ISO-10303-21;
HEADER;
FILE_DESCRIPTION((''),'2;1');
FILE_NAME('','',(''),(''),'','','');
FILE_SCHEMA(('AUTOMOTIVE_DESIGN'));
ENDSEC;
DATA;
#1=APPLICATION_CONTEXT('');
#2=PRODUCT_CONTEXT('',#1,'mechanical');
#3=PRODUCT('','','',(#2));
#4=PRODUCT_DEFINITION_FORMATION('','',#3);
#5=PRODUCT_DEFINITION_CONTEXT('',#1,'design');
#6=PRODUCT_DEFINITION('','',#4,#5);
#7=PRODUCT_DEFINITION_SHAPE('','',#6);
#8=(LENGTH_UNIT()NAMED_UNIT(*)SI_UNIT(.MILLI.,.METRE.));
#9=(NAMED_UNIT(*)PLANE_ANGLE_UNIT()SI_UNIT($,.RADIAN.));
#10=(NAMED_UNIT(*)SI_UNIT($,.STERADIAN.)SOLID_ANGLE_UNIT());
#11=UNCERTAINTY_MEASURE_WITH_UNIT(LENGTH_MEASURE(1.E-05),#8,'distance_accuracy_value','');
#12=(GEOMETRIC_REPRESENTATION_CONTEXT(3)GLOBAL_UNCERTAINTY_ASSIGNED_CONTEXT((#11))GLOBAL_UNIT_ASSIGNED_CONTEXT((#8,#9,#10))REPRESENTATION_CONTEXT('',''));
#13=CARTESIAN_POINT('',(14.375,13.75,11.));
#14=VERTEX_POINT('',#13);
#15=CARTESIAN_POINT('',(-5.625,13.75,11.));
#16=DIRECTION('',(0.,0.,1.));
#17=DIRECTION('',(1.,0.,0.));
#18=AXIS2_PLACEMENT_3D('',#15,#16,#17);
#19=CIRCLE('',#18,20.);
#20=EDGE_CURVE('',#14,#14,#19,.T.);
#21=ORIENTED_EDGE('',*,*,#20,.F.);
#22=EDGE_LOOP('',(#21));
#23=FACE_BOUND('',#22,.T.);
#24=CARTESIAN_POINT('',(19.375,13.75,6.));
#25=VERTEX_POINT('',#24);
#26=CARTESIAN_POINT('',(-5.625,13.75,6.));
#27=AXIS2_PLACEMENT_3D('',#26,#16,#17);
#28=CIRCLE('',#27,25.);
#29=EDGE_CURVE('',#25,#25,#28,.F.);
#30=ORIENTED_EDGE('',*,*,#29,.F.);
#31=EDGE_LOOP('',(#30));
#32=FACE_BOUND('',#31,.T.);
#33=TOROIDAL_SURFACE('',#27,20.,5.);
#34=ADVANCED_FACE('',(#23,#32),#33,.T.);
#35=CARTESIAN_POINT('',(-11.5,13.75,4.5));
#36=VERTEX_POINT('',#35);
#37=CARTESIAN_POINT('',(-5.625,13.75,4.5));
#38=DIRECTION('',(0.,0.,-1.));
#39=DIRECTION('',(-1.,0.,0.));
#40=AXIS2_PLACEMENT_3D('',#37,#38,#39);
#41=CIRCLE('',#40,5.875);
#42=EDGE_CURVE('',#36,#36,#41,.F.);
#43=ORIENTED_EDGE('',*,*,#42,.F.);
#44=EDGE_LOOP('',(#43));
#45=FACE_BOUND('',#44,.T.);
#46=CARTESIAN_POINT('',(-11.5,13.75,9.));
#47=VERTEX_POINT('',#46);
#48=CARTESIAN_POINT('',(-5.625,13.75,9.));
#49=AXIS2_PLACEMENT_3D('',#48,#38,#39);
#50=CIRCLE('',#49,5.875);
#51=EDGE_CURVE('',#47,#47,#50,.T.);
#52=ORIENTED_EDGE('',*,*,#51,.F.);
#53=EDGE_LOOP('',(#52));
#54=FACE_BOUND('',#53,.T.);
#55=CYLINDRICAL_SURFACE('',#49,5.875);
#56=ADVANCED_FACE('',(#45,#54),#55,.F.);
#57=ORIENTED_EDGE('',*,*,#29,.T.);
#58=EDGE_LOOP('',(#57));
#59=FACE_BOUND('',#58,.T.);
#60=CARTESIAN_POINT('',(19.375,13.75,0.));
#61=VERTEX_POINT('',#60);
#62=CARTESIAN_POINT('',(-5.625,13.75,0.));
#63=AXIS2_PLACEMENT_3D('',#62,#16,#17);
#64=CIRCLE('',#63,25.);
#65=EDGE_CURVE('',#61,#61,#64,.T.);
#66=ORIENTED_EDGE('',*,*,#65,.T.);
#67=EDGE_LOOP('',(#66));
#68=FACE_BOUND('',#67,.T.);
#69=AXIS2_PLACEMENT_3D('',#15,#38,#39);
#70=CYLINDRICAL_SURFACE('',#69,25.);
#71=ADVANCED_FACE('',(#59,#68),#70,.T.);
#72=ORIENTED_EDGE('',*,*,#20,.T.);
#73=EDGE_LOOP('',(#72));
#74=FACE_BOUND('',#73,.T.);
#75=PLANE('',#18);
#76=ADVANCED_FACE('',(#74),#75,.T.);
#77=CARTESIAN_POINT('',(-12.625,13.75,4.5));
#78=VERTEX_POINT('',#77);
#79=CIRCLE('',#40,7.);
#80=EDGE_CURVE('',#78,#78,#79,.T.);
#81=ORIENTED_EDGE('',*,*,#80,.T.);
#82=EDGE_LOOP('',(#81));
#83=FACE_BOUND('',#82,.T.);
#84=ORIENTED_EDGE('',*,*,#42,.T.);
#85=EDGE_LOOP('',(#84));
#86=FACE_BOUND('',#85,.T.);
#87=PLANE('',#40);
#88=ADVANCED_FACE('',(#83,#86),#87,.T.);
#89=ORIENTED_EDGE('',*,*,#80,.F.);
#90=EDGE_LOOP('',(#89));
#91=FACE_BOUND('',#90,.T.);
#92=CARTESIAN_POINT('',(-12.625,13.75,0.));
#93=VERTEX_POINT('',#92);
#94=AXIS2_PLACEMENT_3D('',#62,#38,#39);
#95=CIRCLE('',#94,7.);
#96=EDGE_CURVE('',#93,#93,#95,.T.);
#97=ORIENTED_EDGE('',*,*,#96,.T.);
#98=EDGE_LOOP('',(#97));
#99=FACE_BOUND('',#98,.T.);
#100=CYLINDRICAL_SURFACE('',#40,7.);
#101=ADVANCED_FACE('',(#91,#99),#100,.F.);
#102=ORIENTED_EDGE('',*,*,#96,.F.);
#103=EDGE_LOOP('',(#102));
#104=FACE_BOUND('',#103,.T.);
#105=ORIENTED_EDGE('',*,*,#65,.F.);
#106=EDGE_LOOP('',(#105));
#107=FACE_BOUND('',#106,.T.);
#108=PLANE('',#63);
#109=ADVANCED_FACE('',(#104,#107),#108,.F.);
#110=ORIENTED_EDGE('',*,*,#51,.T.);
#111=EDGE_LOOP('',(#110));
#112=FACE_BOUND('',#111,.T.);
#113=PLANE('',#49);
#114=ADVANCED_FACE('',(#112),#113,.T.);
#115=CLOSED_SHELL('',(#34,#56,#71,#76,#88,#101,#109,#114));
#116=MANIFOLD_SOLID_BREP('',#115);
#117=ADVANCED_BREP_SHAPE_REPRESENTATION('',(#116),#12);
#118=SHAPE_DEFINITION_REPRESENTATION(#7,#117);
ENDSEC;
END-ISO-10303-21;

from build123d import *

# Parameters (mm, degrees)
CROQUIS1_R              = 25
SALIENTE_EXTRUIR1_DEPTH = 11
REDONDEO1_R             = 5
CROQUIS2_R              = 5.875
CORTAR_EXTRUIR1_DEPTH   = 9
CROQUIS3_R              = 7
CORTAR_EXTRUIR2_DEPTH   = 4.5


with BuildPart() as part:
    # Croquis1 → Saliente-Extruir1 (new body)
    with BuildSketch(Plane.XY):
        with Locations((-5.625, 13.75)):
            Circle(CROQUIS1_R)
    extrude(amount=SALIENTE_EXTRUIR1_DEPTH)

    # Redondeo1
    redondeo1_edges = [part.edges().sort_by_distance(p)[0] for p in [
        (-30.625, 13.75, 11),
    ]]
    fillet(redondeo1_edges, radius=REDONDEO1_R)

    # Croquis2 → Cortar-Extruir1 (cut)
    with BuildSketch(Plane(origin=(0, 0, 0), x_dir=(-1, 0, 0), z_dir=(0, 0, -1))):
        with Locations((5.625, 13.75)):
            Circle(CROQUIS2_R)
    extrude(amount=-CORTAR_EXTRUIR1_DEPTH, mode=Mode.SUBTRACT)

    # Croquis3 → Cortar-Extruir2 (cut)
    with BuildSketch(Plane(origin=(0, 0, 0), x_dir=(-1, 0, 0), z_dir=(0, 0, -1))):
        with Locations((5.625, 13.75)):
            Circle(CROQUIS3_R)
    extrude(amount=-CORTAR_EXTRUIR2_DEPTH, mode=Mode.SUBTRACT)


solid = part.part
